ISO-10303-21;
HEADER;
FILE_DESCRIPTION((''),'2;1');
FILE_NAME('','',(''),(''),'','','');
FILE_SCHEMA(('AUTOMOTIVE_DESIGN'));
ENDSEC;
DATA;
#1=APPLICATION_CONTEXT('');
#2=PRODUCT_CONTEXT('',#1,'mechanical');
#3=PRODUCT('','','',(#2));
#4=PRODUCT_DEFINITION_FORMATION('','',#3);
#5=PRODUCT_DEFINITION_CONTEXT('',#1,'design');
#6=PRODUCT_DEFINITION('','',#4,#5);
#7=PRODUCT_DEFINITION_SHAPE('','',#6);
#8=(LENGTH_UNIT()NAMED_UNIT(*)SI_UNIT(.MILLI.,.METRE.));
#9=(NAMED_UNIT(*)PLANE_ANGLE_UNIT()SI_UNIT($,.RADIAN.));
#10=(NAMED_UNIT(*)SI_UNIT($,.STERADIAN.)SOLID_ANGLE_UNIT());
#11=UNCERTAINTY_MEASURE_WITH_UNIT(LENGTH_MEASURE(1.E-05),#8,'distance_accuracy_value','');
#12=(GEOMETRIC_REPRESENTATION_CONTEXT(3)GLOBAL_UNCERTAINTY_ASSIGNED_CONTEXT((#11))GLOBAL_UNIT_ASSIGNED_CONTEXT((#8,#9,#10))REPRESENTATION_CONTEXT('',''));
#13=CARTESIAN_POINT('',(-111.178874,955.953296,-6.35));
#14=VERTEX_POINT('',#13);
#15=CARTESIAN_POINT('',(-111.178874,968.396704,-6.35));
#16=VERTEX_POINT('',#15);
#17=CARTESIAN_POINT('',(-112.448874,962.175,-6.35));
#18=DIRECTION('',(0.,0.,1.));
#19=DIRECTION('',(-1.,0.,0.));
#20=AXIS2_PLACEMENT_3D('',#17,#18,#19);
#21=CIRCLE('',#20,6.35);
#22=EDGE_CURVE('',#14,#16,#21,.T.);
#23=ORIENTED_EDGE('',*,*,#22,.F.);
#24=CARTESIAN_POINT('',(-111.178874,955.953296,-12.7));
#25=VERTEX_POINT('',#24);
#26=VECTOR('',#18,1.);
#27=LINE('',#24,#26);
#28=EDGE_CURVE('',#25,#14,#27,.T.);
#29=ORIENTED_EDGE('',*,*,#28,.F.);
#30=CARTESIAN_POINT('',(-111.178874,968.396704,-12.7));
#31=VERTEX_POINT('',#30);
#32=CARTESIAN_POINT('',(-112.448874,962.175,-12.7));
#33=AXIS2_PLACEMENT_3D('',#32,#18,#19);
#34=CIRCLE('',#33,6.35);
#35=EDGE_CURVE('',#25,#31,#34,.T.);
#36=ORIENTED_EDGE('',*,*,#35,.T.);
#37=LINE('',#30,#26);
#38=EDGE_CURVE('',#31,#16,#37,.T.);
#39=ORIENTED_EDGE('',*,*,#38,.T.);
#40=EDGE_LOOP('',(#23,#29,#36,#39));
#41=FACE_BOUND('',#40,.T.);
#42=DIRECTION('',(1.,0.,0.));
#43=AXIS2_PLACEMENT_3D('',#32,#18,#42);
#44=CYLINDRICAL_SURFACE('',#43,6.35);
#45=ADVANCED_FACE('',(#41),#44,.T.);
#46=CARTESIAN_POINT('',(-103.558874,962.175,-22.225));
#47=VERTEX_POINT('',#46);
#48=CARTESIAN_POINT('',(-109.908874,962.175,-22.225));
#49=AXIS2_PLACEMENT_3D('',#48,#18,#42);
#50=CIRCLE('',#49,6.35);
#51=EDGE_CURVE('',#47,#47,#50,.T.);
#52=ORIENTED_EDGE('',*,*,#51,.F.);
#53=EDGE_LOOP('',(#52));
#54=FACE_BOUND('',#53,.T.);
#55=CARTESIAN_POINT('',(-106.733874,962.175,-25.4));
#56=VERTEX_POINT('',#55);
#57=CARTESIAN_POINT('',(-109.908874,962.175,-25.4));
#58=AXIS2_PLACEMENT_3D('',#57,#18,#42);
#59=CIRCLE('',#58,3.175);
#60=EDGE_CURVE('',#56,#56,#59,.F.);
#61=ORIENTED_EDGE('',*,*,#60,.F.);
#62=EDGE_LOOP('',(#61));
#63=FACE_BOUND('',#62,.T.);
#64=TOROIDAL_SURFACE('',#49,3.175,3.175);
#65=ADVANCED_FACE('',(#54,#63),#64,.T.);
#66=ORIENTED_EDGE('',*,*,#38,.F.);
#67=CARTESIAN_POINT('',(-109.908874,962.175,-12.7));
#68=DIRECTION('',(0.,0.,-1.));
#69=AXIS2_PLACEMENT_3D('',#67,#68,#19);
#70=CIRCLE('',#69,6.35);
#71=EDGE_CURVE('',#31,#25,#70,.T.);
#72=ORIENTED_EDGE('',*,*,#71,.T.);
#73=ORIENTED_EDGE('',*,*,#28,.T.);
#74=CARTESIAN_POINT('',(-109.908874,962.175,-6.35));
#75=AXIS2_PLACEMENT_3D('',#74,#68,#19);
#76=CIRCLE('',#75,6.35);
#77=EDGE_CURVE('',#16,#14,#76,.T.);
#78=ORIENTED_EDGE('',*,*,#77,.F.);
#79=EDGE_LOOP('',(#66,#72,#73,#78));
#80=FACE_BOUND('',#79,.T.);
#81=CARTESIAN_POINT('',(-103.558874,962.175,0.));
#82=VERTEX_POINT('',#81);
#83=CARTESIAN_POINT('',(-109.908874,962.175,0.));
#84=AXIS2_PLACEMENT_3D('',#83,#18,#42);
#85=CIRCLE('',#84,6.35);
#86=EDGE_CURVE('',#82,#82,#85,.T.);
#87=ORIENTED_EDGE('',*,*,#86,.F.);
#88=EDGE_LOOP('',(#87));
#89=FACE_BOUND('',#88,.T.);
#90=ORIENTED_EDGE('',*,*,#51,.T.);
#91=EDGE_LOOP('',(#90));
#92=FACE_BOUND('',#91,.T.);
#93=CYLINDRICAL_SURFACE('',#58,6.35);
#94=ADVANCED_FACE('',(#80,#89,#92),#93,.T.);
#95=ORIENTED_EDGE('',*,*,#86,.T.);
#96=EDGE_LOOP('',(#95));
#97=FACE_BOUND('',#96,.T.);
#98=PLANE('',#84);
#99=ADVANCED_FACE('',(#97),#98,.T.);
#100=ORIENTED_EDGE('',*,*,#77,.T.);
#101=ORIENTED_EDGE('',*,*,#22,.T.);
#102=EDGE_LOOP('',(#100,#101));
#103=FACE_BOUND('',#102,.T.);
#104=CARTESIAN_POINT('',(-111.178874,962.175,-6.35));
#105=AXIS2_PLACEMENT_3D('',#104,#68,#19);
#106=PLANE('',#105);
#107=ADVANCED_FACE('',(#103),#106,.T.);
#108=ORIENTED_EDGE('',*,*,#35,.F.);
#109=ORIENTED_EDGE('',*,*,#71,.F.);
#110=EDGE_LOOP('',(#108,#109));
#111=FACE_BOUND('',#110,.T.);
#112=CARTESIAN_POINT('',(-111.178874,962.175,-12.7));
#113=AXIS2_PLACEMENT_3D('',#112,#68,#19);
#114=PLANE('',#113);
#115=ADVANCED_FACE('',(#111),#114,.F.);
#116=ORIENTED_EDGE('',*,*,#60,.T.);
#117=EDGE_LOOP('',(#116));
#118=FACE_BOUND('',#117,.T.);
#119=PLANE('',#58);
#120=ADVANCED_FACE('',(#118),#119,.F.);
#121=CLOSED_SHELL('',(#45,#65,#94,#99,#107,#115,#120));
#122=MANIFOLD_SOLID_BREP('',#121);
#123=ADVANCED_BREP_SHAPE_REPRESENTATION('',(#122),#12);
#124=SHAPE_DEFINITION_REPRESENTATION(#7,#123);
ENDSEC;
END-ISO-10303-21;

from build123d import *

# Parameters (mm, degrees)
SKETCH1_R          = 6.35
EXTRUDE1_DEPTH     = 25.4
CUT_EXTRUDE1_DEPTH = 6.35
FILLET1_R          = 3.175


with BuildPart() as part:
    # Sketch1 → Extrude1 (new body)
    with BuildSketch(Plane.XY):
        with Locations((-109.908874461, 962.175)):
            Circle(SKETCH1_R)
    extrude(amount=-EXTRUDE1_DEPTH)

    # Sketch2 → Cut-Extrude1 (cut)
    with BuildSketch(Plane(origin=(0, 0, -6.35), x_dir=(-1, 0, 0), z_dir=(0, 0, -1))):
        with BuildLine():
            ThreePointArc((111.178874461, 968.396703947), (106.098874461, 962.175), (111.178874461, 955.953296053))
            ThreePointArc((111.178874461, 955.953296053), (103.558874461, 962.175), (111.178874461, 968.396703947))
        make_face()
    extrude(amount=CUT_EXTRUDE1_DEPTH, mode=Mode.SUBTRACT)

    # Fillet1
    fillet1_edges = [part.edges().sort_by_distance(p)[0] for p in [
        (-116.258874461, 962.175, -25.4),
    ]]
    fillet(fillet1_edges, radius=FILLET1_R)


solid = part.part
